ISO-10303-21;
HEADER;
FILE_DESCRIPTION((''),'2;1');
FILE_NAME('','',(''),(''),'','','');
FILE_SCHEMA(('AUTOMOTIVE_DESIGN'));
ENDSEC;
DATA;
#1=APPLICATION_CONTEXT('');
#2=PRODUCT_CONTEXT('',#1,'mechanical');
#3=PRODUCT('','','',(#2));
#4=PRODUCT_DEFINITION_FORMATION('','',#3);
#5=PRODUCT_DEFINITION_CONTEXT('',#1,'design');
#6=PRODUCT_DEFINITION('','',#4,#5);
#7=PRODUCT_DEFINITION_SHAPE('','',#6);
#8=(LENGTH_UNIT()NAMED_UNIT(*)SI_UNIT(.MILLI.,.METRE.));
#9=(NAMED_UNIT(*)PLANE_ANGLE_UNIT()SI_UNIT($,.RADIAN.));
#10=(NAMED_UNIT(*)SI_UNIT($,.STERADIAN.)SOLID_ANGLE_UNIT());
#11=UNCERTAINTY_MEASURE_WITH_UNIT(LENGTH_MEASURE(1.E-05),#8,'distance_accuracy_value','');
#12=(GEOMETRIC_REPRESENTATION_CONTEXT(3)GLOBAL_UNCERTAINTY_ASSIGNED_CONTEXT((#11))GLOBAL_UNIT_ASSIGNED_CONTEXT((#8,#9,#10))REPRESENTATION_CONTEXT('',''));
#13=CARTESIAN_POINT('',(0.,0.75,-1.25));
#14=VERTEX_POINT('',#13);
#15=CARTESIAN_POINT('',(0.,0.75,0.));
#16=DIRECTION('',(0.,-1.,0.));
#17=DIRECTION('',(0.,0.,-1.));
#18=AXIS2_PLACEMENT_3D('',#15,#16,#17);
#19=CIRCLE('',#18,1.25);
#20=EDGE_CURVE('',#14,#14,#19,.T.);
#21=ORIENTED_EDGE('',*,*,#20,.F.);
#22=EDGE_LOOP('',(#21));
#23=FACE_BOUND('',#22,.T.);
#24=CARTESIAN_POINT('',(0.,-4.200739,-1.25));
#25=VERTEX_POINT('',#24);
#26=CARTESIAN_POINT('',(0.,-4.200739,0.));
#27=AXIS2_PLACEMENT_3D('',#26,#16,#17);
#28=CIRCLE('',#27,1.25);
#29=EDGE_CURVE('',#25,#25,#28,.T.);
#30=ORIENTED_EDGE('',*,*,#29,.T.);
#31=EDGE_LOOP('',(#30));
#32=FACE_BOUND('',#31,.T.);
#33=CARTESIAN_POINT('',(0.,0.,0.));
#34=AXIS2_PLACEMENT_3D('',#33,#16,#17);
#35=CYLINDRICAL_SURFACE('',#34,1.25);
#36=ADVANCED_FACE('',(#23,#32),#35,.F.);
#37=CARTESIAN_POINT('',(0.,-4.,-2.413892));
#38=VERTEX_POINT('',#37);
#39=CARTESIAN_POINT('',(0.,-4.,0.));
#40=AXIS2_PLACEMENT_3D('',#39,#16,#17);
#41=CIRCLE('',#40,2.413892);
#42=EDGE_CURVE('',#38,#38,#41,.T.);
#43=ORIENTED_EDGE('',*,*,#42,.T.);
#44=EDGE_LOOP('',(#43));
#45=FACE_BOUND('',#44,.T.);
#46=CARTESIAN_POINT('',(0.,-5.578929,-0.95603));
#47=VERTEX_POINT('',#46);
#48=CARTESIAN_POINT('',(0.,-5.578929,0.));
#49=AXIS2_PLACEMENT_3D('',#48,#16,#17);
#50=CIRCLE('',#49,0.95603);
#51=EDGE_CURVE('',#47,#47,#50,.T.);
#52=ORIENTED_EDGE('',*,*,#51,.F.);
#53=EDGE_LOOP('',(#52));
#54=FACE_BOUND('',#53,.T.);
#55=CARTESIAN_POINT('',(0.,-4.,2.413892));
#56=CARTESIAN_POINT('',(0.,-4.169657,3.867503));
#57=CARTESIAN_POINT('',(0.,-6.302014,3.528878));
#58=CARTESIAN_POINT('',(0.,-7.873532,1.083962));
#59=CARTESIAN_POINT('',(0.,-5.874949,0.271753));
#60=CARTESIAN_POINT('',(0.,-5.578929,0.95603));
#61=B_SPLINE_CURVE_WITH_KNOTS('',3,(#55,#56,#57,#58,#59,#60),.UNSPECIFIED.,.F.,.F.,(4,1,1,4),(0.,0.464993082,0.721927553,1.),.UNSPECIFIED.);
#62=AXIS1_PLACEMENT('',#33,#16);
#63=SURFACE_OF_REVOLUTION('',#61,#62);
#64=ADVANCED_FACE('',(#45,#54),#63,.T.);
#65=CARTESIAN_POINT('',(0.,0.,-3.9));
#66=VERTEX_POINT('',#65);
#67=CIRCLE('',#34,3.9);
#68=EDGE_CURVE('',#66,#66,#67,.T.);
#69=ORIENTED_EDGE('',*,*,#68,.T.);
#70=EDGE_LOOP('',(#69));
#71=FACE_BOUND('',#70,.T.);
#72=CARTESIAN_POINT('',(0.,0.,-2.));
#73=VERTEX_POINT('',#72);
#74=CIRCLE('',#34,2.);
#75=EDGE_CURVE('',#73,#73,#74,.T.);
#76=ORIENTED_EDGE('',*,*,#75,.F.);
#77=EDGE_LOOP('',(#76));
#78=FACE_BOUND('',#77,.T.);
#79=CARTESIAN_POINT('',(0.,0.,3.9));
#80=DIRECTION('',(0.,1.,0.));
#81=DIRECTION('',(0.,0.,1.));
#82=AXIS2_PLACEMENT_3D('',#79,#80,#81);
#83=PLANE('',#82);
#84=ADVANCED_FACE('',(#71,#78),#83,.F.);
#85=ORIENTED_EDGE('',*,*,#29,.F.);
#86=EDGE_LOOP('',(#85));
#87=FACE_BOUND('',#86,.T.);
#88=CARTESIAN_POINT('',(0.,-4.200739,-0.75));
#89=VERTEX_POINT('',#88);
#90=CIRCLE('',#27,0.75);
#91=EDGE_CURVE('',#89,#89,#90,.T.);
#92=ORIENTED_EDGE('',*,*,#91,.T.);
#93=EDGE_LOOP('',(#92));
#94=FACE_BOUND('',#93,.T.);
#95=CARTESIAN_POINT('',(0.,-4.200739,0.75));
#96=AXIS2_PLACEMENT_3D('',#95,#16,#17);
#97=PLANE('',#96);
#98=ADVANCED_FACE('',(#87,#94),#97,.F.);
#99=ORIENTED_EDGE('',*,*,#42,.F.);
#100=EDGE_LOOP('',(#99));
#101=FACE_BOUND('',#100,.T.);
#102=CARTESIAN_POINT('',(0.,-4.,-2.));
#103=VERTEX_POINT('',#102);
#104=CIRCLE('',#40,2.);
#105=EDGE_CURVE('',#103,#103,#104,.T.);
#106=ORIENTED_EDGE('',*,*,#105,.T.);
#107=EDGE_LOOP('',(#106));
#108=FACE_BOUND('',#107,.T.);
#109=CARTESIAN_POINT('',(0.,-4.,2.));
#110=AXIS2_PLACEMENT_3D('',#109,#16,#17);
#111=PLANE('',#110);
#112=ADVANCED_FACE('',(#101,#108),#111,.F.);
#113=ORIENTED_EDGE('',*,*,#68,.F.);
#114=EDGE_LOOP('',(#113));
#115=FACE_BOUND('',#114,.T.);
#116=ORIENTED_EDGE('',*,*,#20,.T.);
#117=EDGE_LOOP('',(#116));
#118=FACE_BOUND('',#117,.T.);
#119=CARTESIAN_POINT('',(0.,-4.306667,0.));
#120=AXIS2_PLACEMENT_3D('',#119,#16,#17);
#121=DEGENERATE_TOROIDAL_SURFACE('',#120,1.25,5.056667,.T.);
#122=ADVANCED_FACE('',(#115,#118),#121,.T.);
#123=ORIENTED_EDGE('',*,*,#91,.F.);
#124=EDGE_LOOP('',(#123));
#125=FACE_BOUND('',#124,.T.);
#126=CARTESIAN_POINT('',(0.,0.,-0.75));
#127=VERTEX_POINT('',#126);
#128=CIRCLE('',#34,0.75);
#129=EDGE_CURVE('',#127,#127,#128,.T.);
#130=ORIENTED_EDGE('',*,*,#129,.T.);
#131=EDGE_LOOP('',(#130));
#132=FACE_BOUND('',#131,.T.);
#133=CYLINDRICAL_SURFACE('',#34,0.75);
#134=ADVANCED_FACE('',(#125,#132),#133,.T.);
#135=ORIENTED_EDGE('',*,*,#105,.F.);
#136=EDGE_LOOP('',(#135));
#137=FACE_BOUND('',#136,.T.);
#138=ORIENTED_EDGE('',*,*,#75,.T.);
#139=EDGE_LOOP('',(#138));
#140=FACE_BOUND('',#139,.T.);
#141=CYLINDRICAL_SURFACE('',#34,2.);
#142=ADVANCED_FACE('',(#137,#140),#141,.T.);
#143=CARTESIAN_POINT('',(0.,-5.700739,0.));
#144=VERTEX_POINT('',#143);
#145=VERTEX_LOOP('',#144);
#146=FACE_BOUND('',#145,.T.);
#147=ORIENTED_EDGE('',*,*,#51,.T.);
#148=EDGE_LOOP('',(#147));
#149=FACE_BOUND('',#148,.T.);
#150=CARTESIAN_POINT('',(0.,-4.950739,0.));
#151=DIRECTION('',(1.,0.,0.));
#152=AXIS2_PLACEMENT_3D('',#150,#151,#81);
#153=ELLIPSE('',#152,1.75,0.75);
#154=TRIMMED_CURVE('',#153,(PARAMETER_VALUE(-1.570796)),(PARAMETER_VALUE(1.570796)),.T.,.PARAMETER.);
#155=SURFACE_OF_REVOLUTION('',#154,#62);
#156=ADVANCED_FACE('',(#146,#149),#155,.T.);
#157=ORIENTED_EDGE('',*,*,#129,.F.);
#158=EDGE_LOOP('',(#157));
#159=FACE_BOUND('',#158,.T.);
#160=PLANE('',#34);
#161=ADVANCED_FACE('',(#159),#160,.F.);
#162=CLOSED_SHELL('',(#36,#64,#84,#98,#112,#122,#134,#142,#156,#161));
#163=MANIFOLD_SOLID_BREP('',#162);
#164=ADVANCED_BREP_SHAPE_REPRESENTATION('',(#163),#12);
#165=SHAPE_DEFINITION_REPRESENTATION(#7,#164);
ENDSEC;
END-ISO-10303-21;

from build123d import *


with BuildPart() as part:
    # Szkic1 → Obrót1 (revolve)
    with BuildSketch(Plane(origin=(0, 0, 0), x_dir=(0, 0, -1), z_dir=(1, 0, 0)), mode=Mode.PRIVATE) as obr_t1_sk:
        with BuildLine():
            Line((0, 0), (0, -4.121746268))
            Line((0, -4.121746268), (0, -4.200738523))
            Line((0, -4.200738523), (0, -5.700738523))
            add(Edge.make_bspline(
                [(-0.956030427, -5.578929194), (-0.520263876, -5.700738523), (0, -5.700738523)],
                knots=[0.992852221, 0.992852221, 0.992852221, 1.570796327, 1.570796327, 1.570796327], degree=2, weights=[1, 0.958537313, 1]))
            add(Edge.make_bspline(
                [(-2.413891755, -4), (-3.867503112, -4.169657322), (-3.528877649, -6.302013626), (-1.083961642, -7.873532369), (-0.271752618, -5.874949298), (-0.956030427, -5.578929194)],
                knots=[0, 0, 0, 0, 0.464993082, 0.721927553, 1, 1, 1, 1], degree=3))
            Line((-2.413891755, -4), (-2, -4))
            Line((-2, -4), (-2, 0))
            Line((-2, 0), (-3.9, 0))
            ThreePointArc((-3.9, 0), (-2.627043935, 0.558888572), (-1.25, 0.75))
            Line((-1.25, 0.75), (-1.25, -4.200738523))
            Line((-1.25, -4.200738523), (-0.75, -4.200738523))
            Line((-0.75, -4.200738523), (-0.75, 0))
            Line((-0.75, 0), (0, 0))
        make_face()
    revolve(obr_t1_sk.sketch.rotate(Axis((0, 0, 0), (0, 1, 0)), 180), axis=Axis((0, 0, 0), (0, 1, 0)))


solid = part.part
